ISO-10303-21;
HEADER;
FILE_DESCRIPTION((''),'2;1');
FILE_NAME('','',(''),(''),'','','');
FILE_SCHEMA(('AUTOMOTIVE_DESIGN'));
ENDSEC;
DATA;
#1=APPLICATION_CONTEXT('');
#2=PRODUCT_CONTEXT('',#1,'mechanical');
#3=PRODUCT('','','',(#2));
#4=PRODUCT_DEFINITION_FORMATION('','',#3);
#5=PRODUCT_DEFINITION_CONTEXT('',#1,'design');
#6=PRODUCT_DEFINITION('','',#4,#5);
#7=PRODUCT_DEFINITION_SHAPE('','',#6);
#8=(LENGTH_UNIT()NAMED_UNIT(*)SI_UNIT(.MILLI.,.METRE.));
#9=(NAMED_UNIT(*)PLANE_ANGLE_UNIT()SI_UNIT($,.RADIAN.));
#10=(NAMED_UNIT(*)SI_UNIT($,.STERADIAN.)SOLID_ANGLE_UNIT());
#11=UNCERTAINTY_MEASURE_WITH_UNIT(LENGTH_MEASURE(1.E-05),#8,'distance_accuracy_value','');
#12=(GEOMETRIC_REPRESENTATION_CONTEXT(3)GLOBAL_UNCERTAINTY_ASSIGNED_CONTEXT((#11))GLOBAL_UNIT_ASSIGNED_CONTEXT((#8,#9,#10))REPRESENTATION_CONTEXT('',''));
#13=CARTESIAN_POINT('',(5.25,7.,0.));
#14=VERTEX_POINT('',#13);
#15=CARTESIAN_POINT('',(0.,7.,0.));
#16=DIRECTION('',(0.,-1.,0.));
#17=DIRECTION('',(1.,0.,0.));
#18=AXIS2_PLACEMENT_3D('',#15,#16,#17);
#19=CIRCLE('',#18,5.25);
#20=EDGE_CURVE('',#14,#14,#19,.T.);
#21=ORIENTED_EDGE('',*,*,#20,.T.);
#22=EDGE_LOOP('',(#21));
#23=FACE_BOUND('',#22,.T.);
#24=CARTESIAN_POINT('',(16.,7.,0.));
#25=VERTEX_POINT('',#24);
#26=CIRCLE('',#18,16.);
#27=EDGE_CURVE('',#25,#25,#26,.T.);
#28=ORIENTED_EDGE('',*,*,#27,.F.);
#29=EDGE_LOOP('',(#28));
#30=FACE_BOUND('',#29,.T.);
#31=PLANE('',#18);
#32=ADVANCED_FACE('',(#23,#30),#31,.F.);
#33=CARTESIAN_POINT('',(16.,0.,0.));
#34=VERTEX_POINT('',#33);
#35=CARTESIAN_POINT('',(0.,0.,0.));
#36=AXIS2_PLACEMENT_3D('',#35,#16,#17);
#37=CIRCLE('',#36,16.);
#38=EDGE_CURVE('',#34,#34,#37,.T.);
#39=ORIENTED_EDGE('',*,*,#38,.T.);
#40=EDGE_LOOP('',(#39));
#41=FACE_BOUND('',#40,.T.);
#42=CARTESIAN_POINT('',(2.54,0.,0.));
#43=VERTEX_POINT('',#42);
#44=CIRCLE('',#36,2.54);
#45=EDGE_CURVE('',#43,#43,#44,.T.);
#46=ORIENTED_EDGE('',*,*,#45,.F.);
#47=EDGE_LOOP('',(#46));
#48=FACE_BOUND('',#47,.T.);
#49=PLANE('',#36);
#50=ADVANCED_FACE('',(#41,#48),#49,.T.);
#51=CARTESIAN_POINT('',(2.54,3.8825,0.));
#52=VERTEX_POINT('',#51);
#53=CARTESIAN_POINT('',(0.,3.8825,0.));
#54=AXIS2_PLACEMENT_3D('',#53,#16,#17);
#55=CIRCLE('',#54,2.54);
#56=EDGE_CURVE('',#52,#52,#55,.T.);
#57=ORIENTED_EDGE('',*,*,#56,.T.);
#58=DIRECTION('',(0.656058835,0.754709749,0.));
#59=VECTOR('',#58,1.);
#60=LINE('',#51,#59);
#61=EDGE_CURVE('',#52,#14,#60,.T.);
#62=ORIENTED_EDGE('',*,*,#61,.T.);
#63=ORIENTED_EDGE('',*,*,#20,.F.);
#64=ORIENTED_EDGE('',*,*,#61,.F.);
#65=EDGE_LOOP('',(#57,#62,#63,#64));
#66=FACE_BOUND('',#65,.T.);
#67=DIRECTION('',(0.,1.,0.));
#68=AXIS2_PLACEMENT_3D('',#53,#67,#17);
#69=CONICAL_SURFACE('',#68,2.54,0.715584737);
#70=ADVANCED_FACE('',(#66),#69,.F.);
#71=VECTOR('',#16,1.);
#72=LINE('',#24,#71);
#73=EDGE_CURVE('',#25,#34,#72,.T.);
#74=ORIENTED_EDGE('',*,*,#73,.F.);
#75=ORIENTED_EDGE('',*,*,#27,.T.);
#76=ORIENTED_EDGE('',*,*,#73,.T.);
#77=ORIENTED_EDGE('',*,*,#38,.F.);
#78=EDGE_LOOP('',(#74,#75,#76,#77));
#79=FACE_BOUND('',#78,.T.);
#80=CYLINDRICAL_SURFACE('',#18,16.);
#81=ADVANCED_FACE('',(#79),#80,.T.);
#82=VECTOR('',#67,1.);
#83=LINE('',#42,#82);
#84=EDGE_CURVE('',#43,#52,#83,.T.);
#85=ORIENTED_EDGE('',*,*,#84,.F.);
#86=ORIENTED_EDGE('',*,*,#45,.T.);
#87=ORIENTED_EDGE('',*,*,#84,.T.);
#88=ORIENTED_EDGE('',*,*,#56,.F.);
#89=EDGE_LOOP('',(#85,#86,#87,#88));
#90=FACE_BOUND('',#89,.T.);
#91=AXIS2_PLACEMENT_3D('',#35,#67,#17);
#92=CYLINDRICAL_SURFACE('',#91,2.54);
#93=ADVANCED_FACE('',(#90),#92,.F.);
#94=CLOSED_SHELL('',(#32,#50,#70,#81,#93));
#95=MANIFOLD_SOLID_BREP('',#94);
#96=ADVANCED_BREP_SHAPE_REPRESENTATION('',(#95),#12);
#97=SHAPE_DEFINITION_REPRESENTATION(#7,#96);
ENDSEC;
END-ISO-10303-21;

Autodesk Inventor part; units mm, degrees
ref_plane "YZ Plane" through (0, 0, 0) normal (1, 0, 0) x (0, 1, 0)
ref_plane "XZ Plane" through (0, 0, 0) normal (0, 1, 0) x (-1, 0, 0)
ref_plane "XY Plane" through (0, 0, 0) normal (0, 0, 1) x (1, 0, 0)
sketch "Sketch1" plane through (0, 0, 0) normal (0, 0, 1) x (1, 0, 0)
  line L0 (2.54, 0) -> (2.54, 3.8825)
  line L1 (2.54, 3.8825) -> (5.25, 7)
  line L2 (5.25, 7) -> (16, 7)
  line L3 (16, 7) -> (16, 0)
  line L4 (16, 0) -> (2.54, 0)
  line L5 (0, 14.5655) -> (0, -5.7291)
  point P0 (0, 0)
  dimension "d0" = 5.08
  dimension "d1" = 32
  dimension "d2" = 7
  dimension "d3" = 41
  dimension "d4" = 10.5
revolve "Revolution1" add sketch "Sketch1" angle 360 about axis through (0, 14.5655, 0) along (0, -1, 0)
properties part number "Magnet"
